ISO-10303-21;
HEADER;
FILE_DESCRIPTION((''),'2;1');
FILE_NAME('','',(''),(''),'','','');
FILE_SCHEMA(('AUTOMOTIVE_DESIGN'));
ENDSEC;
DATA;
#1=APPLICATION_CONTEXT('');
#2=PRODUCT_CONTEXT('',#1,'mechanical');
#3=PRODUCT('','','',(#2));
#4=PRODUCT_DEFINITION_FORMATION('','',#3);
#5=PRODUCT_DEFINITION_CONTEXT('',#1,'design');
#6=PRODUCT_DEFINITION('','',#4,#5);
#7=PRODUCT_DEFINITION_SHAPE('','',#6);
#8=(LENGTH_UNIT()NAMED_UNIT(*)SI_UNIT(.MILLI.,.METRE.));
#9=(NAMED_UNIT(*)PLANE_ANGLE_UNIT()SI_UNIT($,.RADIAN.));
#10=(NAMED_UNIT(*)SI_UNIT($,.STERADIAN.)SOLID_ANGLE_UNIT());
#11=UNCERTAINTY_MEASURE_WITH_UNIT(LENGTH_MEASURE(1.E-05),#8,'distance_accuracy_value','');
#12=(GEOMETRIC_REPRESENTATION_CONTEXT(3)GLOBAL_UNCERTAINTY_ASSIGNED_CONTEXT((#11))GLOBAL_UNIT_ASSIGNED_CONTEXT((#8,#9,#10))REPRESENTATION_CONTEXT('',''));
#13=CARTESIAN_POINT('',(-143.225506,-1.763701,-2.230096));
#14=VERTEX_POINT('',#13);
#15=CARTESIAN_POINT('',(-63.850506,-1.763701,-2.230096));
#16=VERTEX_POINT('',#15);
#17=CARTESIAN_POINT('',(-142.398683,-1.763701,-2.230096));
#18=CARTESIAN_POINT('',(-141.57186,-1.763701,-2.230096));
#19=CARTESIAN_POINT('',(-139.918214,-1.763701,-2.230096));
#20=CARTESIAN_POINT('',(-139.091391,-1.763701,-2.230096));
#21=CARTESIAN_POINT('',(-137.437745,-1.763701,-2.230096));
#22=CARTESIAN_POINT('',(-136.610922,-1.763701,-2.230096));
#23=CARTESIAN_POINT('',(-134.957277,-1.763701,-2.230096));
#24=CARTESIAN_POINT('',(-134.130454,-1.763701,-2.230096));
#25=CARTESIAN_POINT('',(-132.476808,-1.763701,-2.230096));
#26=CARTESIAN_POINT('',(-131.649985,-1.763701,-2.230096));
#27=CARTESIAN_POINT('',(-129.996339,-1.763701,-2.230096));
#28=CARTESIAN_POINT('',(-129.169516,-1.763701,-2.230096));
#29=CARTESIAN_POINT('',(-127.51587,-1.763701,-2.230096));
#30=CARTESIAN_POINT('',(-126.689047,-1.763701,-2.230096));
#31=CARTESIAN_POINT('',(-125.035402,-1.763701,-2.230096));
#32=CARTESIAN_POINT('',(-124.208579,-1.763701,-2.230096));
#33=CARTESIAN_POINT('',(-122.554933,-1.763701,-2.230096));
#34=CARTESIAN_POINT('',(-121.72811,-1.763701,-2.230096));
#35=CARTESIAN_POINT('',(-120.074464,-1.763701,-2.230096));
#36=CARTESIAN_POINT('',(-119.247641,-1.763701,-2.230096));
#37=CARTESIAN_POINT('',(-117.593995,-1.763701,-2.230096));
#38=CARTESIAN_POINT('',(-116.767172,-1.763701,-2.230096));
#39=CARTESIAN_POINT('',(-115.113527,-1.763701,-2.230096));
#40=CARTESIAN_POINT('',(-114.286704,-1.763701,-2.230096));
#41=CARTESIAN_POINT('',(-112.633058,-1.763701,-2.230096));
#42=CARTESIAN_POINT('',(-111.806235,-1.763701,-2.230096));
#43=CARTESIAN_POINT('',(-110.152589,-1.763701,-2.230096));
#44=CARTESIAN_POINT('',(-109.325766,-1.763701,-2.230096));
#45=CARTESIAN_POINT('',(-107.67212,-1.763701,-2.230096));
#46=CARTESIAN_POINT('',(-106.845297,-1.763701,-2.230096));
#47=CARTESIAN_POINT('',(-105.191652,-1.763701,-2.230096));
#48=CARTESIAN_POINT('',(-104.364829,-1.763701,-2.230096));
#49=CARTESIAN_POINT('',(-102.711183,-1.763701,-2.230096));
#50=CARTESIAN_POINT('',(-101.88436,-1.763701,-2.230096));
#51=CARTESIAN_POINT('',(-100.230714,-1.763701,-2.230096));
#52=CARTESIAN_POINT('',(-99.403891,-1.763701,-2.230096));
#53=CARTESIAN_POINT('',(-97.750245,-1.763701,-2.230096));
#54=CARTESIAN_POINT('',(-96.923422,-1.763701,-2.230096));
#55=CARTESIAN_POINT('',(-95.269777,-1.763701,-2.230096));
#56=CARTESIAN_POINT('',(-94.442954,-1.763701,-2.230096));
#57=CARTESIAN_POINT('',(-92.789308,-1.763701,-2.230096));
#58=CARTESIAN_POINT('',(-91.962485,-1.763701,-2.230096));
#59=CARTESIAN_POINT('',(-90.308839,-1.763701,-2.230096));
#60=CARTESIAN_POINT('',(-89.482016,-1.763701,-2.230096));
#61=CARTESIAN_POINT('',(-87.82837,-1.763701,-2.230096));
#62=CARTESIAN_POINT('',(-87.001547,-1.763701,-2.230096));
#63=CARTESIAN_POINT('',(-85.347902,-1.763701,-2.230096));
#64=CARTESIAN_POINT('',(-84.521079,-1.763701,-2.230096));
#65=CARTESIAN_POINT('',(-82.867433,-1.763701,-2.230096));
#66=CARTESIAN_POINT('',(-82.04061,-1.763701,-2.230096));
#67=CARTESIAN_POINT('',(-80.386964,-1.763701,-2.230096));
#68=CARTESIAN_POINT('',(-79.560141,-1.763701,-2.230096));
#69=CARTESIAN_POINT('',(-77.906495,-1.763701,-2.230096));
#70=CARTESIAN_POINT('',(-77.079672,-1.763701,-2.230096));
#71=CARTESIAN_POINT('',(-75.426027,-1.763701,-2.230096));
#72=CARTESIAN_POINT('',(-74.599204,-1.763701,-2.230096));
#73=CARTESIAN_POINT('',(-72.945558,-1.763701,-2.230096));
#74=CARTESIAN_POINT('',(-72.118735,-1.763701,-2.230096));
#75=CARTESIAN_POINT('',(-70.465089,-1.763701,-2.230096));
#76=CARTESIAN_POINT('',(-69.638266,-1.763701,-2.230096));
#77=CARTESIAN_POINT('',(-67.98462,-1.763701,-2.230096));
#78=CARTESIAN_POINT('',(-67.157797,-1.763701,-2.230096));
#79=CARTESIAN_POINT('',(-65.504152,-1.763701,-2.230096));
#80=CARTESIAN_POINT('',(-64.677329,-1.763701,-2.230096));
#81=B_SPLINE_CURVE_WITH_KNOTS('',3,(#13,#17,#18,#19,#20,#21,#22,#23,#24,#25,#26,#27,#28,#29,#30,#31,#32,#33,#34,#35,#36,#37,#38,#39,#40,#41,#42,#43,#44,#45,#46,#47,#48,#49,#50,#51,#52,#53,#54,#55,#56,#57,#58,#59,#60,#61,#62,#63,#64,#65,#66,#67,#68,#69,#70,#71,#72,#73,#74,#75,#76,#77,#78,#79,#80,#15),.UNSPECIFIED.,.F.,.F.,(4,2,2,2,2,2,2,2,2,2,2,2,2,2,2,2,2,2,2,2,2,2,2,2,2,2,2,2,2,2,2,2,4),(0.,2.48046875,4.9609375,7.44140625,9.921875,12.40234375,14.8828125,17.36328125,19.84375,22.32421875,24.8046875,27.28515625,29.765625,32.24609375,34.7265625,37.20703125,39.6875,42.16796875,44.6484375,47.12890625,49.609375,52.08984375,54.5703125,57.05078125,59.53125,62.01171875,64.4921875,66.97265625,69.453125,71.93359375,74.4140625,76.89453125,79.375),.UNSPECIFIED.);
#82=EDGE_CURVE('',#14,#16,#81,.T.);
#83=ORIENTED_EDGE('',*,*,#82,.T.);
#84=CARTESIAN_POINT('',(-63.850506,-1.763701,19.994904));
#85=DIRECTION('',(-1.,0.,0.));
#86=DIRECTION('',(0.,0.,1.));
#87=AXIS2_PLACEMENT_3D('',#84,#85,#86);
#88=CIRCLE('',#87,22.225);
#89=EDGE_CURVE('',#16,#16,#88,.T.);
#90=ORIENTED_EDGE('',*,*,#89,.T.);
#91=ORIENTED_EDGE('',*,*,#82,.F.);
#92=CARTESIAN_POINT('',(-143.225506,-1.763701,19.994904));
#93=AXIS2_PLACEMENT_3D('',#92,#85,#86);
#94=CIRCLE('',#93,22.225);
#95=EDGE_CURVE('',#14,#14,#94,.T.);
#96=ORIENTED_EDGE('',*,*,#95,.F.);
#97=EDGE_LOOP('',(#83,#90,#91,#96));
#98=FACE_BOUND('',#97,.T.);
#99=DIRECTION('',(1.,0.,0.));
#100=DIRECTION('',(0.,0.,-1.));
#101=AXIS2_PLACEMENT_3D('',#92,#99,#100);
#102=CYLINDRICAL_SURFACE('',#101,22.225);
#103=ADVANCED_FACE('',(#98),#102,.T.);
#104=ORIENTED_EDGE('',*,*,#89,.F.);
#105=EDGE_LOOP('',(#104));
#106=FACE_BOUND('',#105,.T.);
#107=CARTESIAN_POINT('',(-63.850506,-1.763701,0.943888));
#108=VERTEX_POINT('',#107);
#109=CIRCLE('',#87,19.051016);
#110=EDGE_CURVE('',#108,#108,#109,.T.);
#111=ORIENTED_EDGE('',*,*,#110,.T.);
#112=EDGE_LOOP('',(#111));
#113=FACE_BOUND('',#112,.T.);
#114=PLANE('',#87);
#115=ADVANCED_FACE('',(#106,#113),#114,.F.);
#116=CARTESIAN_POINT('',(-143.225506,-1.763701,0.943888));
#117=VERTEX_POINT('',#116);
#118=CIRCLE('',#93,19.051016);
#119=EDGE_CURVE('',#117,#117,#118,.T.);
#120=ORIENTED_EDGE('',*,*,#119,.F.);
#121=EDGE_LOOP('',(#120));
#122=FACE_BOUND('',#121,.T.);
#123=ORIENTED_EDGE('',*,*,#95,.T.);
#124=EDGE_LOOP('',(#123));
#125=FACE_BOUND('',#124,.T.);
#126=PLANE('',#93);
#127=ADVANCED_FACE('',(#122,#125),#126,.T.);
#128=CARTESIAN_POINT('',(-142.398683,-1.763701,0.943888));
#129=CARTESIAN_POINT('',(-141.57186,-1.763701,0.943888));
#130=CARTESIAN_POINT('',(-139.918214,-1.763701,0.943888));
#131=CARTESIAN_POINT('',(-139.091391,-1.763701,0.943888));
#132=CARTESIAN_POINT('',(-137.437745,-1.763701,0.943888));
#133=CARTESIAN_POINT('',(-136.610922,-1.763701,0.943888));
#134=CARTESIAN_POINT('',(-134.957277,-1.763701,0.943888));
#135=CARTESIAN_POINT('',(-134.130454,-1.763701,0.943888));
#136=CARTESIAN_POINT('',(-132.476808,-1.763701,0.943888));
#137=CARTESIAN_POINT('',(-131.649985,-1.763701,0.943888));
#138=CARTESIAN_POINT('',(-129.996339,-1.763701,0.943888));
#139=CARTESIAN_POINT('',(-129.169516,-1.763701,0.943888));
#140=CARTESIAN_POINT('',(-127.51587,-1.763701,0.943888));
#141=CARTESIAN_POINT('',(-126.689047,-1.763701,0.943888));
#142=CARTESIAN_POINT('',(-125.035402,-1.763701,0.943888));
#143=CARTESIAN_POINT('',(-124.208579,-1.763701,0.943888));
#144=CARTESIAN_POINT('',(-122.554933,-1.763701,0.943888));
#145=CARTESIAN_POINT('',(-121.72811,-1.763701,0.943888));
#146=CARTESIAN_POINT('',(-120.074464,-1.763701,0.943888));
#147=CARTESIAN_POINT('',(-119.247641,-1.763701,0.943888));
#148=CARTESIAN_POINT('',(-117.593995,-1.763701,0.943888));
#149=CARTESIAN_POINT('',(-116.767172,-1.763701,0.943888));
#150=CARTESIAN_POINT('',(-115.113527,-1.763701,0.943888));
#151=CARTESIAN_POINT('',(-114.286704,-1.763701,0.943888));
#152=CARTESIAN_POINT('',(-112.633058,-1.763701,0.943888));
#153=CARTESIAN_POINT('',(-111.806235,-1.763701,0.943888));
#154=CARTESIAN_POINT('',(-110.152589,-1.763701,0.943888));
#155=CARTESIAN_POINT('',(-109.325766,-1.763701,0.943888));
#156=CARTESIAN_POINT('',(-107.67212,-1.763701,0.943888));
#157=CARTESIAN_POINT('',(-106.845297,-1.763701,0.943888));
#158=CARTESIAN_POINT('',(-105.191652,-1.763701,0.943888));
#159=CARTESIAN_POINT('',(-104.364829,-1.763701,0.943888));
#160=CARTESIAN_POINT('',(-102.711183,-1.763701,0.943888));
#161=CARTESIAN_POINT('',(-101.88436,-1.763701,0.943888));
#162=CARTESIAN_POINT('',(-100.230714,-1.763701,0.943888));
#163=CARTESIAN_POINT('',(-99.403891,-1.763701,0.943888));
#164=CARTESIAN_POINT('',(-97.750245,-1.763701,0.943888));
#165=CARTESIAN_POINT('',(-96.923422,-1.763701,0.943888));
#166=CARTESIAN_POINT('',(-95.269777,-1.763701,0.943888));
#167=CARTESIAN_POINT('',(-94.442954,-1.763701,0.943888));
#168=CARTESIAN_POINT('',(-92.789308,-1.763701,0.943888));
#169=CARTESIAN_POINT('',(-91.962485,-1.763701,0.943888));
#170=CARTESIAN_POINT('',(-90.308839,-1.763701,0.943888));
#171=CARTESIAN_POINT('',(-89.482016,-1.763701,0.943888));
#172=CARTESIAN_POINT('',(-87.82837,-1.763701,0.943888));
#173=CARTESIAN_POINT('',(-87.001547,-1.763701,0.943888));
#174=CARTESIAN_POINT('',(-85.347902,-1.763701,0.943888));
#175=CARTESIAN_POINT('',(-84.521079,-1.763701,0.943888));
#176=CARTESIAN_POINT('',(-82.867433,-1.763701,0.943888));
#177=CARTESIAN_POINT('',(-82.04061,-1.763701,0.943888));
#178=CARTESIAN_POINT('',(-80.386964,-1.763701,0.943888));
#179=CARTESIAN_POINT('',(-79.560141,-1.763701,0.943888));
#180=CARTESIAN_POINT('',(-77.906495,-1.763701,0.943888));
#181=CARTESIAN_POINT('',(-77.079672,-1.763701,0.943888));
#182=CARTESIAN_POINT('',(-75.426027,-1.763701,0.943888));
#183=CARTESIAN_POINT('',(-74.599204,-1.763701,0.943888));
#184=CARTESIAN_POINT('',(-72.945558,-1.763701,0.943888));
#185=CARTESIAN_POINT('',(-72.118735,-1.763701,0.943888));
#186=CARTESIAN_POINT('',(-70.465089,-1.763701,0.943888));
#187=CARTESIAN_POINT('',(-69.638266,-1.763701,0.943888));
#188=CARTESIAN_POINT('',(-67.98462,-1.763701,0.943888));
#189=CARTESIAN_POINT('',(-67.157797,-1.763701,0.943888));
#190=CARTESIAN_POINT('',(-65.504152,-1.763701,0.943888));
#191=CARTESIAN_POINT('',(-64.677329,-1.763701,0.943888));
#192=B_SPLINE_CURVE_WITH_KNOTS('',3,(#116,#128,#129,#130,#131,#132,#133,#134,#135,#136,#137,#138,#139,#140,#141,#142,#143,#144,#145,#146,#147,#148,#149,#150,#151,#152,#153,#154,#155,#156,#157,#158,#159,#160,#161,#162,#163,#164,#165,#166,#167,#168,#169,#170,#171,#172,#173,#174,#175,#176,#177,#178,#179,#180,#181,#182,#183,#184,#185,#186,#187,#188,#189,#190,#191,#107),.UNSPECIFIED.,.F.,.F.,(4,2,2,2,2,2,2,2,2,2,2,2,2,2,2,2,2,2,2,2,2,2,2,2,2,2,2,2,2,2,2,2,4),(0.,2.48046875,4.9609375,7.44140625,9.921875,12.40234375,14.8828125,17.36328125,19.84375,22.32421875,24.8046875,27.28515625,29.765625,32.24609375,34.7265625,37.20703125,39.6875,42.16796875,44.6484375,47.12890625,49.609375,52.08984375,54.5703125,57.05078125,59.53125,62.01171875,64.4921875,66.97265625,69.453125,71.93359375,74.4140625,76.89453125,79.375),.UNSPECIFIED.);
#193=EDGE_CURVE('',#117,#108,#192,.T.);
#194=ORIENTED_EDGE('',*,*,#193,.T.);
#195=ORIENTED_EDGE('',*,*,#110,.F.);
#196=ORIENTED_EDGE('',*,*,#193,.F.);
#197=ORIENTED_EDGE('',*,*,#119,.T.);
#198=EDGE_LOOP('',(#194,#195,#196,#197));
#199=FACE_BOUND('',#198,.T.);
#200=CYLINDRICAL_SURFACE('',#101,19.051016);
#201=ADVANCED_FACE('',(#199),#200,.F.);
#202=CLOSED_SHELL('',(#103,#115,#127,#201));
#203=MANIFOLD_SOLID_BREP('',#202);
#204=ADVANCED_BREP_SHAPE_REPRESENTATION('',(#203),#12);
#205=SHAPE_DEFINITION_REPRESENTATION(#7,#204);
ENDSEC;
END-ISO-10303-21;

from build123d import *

# Parameters (mm, degrees)
SKETCH1_R           = 22.225
SKETCH1_R_2         = 19.051016
BOSS_EXTRUDE1_DEPTH = 79.375


with BuildPart() as part:
    # Sketch1 → Boss-Extrude1 (new body)
    with BuildSketch(Plane.ZY.offset(63.850505807)):
        with Locations(Location((19.994903538, -1.763701117, 0), (0, 0, 180))):
            Circle(SKETCH1_R)
        with Locations(Location((19.994903538, -1.763701117, 0), (0, 0, 180))):
            Circle(SKETCH1_R_2, mode=Mode.SUBTRACT)
    extrude(amount=BOSS_EXTRUDE1_DEPTH)


solid = part.part
